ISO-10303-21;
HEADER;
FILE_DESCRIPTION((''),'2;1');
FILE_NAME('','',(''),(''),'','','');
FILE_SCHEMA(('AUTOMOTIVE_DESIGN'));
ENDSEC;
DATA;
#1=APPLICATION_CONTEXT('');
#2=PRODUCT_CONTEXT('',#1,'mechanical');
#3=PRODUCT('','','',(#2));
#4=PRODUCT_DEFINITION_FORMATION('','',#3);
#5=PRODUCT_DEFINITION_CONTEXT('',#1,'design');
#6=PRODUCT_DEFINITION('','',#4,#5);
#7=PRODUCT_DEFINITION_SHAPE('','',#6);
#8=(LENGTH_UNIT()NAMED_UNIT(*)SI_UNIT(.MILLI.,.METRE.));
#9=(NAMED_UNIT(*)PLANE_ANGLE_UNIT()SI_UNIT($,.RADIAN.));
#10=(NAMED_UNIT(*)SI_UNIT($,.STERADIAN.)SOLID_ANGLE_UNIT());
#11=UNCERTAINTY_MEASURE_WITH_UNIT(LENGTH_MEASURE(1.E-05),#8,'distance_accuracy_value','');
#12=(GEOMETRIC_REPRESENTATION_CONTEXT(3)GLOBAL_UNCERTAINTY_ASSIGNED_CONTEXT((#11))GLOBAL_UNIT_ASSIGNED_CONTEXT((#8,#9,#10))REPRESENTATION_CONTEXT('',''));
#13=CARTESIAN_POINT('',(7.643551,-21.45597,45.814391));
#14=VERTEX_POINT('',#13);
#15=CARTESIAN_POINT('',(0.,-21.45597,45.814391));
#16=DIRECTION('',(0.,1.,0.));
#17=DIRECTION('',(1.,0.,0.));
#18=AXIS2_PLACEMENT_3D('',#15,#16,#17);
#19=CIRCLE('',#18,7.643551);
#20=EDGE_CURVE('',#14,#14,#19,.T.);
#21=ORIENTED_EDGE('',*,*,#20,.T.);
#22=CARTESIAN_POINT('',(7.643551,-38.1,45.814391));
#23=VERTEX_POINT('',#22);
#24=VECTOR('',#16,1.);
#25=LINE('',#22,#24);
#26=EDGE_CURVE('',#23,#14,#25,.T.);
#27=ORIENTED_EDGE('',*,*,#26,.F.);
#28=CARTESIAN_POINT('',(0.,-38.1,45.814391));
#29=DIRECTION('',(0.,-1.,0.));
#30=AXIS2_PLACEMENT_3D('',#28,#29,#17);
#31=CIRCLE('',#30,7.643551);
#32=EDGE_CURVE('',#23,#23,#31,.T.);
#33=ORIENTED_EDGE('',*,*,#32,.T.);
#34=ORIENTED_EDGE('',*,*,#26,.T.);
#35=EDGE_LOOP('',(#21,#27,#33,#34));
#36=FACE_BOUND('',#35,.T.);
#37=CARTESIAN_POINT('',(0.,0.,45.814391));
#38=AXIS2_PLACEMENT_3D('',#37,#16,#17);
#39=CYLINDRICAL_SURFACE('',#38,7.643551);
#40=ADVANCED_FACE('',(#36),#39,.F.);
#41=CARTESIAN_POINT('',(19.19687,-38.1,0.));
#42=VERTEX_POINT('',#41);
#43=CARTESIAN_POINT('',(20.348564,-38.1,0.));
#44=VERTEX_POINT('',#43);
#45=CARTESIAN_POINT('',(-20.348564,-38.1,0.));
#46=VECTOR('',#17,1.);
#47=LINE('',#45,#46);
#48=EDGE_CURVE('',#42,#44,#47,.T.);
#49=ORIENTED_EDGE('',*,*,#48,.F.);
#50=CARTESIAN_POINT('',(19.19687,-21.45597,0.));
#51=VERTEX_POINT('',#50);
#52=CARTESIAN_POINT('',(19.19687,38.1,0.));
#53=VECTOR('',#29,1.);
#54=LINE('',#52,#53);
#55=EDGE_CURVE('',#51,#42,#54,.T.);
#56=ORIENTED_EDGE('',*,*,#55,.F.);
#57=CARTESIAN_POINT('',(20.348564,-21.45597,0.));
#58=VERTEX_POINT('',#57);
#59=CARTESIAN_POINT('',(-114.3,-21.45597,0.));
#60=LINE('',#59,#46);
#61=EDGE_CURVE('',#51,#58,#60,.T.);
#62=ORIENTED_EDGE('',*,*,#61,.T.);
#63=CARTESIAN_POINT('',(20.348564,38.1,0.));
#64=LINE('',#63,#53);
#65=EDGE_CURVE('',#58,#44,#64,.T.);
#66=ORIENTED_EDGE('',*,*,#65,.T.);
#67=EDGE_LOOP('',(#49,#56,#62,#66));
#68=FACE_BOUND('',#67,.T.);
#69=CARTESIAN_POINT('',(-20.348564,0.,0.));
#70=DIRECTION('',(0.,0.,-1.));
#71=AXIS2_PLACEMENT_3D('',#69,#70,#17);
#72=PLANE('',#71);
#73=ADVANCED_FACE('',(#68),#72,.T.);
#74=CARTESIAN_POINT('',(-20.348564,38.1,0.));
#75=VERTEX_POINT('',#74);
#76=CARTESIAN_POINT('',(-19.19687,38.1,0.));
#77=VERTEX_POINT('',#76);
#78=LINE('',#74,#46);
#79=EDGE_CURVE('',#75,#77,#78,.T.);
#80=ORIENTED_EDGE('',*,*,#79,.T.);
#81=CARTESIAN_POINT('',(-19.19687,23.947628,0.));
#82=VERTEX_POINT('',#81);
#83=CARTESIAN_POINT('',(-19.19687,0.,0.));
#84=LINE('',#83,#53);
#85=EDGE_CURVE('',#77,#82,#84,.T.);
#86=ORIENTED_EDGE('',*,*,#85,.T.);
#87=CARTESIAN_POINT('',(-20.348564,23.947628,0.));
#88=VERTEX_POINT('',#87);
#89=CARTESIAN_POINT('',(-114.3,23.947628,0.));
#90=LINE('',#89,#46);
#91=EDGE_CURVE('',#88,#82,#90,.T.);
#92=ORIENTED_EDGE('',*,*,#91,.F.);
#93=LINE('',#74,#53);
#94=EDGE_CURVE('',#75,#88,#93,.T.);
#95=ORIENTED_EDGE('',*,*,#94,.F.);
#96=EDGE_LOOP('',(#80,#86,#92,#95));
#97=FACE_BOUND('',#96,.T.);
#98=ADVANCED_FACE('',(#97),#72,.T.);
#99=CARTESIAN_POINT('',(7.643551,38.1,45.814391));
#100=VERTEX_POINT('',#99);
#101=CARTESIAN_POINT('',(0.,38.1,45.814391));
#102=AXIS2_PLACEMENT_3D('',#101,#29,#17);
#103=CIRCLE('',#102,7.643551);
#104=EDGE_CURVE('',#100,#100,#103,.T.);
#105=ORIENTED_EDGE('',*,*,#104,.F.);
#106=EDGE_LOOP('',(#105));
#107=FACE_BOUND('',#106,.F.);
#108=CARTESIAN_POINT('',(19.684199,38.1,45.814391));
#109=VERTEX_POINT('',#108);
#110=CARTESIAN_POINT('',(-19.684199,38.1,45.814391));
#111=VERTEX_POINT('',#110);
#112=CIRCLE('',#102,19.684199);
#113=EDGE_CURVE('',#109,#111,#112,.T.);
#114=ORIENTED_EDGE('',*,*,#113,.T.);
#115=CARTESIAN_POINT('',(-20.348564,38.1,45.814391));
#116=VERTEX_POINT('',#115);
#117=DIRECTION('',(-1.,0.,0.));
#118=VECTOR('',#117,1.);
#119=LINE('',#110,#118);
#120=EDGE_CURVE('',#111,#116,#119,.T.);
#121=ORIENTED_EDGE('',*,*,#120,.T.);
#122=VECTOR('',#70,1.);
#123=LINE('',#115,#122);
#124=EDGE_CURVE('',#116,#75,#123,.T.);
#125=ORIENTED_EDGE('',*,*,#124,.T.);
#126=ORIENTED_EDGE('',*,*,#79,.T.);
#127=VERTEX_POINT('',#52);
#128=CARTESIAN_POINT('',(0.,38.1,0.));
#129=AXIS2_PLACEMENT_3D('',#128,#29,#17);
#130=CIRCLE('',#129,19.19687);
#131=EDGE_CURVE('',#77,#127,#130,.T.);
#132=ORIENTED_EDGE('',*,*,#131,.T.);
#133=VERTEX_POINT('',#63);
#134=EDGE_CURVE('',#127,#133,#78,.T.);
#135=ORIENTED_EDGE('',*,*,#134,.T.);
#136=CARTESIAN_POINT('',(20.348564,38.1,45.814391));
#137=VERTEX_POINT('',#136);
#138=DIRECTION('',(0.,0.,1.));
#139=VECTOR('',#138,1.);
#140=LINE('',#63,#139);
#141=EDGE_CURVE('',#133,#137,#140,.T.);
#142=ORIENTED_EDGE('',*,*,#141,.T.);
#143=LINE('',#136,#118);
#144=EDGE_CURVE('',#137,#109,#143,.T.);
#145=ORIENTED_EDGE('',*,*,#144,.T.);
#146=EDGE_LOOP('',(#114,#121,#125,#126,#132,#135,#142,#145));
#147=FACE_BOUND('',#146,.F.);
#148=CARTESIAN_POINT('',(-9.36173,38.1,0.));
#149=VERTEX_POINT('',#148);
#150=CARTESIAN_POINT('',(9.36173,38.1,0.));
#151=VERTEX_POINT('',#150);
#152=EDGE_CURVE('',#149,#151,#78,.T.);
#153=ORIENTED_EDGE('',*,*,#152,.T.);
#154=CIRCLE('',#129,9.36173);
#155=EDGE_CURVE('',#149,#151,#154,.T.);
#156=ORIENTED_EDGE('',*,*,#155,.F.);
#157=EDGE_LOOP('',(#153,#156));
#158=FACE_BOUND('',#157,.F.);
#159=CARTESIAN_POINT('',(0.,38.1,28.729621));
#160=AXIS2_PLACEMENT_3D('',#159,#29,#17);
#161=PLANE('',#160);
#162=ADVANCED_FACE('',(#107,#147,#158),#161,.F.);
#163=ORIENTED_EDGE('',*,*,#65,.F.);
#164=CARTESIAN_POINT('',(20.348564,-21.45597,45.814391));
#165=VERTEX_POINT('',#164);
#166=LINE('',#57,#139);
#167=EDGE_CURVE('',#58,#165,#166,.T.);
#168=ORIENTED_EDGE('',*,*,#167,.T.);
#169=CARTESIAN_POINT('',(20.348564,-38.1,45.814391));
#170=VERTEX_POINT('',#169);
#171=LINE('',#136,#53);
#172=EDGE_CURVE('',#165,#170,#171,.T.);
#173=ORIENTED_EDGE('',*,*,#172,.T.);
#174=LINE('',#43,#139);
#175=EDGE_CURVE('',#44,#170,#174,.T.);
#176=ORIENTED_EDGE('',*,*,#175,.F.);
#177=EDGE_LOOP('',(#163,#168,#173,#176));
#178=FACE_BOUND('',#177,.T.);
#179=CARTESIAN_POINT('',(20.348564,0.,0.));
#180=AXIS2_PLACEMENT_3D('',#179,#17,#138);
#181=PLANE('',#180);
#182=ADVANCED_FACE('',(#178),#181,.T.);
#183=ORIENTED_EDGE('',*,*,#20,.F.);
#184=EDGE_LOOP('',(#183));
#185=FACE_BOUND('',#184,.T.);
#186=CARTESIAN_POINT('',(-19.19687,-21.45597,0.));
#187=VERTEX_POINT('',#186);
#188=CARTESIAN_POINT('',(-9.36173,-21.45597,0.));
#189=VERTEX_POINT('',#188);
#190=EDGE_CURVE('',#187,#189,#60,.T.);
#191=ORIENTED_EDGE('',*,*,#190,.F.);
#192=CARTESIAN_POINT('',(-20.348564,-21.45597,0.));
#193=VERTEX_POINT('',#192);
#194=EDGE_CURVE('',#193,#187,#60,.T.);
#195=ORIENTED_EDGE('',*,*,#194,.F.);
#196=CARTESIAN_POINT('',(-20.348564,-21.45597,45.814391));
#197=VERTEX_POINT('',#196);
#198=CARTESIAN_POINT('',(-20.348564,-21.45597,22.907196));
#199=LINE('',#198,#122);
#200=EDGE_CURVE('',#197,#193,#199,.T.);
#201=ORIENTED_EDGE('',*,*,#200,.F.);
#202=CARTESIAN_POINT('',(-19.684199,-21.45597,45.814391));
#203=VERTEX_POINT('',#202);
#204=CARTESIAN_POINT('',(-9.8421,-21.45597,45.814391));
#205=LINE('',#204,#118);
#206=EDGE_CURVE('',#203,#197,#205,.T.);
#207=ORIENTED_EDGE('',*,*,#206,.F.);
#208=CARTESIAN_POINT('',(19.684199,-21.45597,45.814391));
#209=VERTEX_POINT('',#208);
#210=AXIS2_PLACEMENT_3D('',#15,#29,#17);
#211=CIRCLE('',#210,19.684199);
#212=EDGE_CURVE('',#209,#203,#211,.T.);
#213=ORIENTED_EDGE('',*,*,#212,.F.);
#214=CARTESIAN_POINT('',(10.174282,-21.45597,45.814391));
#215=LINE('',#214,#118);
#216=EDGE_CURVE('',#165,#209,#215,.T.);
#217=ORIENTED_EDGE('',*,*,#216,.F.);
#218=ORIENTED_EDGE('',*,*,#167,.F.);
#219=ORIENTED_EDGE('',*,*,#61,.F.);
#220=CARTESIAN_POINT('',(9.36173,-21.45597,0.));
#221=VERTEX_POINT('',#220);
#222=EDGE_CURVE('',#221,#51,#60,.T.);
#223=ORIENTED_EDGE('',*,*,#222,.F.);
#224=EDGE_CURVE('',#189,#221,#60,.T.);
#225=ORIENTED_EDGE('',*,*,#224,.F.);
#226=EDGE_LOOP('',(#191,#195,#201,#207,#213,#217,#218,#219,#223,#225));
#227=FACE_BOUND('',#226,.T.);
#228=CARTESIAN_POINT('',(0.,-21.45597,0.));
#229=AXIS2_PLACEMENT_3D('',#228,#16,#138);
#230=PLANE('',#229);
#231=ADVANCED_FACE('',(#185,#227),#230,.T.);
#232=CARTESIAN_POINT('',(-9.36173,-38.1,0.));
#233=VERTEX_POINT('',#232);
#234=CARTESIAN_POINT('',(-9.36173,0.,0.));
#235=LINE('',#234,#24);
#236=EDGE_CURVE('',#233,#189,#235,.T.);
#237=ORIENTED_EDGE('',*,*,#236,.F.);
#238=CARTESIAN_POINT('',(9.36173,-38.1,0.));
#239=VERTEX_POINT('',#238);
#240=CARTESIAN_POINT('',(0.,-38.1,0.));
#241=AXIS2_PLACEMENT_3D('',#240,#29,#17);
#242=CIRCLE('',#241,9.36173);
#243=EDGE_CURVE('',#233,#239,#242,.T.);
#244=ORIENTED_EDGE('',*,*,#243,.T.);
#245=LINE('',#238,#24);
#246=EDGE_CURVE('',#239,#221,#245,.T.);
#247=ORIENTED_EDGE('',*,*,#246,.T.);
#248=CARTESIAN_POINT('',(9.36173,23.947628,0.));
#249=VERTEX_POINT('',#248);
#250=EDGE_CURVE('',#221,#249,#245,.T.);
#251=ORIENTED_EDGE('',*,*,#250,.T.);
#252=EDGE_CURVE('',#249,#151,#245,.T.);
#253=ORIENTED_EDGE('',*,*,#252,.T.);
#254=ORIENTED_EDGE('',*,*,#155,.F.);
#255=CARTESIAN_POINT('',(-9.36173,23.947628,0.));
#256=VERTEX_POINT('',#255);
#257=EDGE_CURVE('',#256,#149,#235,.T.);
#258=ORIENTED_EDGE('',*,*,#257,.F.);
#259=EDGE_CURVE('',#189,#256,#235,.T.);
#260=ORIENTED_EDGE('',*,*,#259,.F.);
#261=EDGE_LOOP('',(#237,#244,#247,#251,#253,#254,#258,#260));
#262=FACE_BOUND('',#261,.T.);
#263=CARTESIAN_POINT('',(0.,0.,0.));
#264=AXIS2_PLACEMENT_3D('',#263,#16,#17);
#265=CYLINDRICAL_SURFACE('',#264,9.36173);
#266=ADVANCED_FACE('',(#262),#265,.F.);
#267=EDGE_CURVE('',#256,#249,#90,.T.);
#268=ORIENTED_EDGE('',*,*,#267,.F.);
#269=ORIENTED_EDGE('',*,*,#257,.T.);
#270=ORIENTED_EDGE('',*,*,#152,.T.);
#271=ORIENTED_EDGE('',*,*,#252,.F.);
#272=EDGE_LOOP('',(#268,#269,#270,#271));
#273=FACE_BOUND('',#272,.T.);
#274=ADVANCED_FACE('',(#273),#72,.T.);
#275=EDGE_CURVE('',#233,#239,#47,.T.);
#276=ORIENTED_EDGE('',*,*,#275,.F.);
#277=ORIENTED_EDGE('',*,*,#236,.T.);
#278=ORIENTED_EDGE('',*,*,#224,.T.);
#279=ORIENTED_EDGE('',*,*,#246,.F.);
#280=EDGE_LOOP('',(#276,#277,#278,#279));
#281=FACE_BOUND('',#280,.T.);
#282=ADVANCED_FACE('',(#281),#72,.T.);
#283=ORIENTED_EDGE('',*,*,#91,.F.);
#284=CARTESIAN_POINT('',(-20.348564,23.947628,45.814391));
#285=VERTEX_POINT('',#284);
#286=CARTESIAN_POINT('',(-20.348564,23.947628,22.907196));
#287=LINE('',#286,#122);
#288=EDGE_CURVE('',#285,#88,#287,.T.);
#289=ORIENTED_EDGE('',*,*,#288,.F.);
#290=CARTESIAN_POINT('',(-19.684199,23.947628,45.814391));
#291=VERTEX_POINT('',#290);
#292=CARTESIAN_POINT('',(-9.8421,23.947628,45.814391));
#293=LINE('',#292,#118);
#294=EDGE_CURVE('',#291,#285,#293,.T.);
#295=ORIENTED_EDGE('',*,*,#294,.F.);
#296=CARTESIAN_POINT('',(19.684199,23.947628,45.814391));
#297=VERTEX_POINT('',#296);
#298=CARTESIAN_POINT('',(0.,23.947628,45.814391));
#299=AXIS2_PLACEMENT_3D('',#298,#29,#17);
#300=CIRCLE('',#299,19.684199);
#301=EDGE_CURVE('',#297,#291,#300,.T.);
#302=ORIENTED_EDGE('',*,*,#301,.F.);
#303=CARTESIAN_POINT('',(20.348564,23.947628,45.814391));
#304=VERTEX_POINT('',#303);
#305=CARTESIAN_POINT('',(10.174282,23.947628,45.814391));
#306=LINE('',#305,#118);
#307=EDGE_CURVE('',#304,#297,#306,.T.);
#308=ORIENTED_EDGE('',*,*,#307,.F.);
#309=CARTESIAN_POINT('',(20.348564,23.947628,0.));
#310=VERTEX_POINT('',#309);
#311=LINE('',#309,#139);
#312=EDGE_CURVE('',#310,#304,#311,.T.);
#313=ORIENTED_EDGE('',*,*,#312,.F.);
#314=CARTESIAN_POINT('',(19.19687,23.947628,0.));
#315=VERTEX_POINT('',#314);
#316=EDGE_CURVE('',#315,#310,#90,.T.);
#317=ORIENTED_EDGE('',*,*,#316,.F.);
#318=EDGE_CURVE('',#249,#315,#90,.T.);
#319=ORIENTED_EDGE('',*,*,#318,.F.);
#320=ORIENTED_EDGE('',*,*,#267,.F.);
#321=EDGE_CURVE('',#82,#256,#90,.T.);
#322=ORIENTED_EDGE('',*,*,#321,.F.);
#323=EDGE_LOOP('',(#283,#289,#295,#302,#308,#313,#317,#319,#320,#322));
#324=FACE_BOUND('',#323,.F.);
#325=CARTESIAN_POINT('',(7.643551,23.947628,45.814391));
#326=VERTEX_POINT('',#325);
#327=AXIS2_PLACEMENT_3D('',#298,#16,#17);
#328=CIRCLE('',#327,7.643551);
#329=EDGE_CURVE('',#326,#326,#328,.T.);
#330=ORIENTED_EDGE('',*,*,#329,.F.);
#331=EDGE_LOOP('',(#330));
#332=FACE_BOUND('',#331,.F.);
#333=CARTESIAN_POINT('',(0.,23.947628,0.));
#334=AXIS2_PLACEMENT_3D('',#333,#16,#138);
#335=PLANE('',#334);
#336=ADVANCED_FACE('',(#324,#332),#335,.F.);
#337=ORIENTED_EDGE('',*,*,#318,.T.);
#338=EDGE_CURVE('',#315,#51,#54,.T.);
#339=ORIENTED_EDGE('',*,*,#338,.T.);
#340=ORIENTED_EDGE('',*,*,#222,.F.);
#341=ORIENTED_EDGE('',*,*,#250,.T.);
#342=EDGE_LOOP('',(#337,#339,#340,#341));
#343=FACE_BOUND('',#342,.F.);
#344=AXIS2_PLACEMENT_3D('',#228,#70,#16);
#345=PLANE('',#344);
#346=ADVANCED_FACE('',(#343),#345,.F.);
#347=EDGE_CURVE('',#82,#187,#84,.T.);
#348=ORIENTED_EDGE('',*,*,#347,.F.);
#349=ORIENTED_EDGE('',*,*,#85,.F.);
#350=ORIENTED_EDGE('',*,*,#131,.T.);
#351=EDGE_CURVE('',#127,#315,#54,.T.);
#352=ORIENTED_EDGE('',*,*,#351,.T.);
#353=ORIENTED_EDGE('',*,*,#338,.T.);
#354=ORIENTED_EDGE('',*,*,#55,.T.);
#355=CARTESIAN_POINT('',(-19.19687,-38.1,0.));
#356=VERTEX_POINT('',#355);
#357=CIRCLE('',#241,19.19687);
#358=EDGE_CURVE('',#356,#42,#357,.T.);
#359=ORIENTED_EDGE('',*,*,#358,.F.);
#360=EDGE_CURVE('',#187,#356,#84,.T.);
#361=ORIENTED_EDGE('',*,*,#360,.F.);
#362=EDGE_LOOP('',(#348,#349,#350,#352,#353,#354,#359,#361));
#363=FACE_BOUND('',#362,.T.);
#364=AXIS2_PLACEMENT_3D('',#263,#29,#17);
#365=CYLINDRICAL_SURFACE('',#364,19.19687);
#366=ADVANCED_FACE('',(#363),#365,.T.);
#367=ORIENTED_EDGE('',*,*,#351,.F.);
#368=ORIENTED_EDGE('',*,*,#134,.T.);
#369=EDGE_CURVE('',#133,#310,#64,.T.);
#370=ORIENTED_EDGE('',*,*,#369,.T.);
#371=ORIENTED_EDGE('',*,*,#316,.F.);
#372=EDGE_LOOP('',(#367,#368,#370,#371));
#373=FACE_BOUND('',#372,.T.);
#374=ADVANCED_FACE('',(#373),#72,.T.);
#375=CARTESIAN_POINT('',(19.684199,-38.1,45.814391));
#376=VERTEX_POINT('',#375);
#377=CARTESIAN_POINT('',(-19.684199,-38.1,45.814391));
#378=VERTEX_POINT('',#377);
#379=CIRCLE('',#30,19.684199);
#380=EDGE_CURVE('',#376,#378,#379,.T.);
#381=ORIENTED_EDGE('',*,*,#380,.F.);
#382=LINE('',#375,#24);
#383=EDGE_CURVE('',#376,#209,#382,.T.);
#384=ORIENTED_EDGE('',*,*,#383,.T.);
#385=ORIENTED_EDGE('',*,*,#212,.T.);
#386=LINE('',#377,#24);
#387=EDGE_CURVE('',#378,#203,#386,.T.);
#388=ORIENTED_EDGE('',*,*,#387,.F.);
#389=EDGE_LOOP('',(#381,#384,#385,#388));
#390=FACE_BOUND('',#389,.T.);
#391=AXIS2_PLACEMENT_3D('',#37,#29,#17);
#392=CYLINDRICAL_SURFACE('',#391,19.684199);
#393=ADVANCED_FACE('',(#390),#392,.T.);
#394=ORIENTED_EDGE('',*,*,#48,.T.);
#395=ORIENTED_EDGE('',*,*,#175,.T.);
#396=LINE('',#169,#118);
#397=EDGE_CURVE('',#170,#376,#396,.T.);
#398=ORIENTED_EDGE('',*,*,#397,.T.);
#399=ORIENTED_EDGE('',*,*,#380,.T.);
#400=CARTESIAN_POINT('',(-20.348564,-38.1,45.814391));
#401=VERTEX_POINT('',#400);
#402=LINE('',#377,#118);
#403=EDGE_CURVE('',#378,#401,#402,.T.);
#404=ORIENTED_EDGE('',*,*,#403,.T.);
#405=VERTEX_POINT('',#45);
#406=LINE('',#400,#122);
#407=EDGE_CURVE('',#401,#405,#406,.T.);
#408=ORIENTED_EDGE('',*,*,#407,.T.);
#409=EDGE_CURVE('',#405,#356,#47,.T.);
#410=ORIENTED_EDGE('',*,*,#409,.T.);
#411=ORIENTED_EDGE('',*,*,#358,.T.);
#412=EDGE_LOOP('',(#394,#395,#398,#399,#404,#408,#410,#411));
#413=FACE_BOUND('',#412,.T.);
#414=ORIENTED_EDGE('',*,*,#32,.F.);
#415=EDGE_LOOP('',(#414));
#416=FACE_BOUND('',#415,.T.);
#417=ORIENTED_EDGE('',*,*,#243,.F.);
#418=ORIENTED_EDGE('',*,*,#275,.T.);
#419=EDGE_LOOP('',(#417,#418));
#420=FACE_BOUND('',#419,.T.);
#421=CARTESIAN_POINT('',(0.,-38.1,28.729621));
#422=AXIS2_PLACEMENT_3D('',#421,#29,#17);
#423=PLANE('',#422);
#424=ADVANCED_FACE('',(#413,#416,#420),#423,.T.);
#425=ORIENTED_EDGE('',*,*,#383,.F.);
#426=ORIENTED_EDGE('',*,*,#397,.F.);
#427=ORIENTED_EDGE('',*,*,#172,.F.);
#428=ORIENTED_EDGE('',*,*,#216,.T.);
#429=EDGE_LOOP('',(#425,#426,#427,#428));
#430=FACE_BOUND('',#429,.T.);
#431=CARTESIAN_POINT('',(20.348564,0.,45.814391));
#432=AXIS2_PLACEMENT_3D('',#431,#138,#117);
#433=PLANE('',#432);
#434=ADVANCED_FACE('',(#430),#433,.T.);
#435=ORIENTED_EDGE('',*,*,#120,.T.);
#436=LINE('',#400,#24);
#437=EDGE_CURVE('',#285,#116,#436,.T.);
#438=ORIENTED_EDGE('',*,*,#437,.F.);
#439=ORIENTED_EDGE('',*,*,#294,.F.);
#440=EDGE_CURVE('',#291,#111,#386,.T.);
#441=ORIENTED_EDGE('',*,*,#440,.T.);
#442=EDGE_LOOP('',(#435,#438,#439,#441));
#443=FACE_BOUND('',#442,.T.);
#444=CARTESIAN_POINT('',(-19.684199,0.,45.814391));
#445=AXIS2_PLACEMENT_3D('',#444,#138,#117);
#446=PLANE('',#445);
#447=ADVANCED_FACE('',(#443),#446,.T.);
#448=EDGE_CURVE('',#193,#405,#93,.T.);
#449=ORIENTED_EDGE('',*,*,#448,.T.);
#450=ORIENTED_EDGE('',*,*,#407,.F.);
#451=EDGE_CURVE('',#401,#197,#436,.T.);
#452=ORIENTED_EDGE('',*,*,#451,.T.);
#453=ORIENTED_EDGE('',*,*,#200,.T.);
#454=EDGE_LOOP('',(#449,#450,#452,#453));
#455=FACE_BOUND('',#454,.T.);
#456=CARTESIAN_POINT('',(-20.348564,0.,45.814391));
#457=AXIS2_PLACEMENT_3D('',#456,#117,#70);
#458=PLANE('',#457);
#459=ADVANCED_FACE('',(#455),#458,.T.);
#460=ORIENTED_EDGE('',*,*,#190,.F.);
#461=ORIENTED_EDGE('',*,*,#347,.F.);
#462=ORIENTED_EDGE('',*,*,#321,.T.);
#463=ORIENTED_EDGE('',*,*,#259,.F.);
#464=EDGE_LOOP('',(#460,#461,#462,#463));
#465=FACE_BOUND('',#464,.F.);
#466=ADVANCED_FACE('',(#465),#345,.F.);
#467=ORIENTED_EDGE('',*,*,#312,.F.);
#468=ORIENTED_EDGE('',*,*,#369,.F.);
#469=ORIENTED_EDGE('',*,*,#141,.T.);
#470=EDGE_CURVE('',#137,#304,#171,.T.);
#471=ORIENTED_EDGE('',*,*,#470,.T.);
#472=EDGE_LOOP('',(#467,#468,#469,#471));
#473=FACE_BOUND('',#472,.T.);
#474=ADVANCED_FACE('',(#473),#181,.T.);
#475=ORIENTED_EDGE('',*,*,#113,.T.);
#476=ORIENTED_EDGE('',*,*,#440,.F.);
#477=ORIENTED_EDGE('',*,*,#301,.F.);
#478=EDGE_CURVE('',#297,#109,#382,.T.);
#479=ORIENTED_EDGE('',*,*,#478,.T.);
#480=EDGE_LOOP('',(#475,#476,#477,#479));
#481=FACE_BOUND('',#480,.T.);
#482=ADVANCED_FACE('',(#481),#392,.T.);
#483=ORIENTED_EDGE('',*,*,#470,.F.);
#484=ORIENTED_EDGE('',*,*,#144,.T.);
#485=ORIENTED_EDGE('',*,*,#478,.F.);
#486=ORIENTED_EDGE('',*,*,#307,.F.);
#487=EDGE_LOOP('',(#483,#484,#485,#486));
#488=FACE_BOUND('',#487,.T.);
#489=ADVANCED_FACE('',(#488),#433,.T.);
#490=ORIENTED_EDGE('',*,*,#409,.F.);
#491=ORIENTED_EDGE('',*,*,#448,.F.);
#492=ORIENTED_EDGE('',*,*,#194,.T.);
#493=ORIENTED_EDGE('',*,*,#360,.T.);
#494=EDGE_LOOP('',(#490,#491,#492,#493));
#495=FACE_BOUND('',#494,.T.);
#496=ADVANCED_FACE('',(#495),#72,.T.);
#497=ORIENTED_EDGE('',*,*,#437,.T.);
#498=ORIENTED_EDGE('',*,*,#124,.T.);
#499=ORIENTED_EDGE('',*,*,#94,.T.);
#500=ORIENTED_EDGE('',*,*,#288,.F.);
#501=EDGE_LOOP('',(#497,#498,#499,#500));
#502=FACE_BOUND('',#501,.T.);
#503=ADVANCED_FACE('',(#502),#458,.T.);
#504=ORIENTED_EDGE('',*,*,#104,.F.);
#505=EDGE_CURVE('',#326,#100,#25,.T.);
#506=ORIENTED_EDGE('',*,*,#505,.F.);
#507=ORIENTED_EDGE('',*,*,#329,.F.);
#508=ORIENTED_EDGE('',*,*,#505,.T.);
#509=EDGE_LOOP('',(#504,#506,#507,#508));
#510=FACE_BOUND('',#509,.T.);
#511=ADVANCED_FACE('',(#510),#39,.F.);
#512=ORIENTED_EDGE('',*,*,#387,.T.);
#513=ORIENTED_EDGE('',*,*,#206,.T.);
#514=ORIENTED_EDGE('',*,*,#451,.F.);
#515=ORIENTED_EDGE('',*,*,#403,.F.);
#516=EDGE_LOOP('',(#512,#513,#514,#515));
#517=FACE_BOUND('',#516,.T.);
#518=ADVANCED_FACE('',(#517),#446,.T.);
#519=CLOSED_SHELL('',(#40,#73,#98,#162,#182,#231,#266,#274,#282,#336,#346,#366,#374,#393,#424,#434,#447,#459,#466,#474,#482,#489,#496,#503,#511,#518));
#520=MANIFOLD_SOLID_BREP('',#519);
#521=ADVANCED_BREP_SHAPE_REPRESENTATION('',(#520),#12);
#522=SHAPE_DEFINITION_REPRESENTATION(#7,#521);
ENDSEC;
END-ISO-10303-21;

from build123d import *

# Parameters (mm, degrees)
F0_R     = 19.1968698124
F0_R_2   = 9.3617301333
F1_DEPTH = 38.1
F2_R     = 7.6435509614
F3_DEPTH = 38.1
F4_W     = 45.4035978764
F4_H     = 66.3013830781
F5_DEPTH = 114.3


with BuildPart() as f1:
    # F0 (on Front) → F1 (new body, symmetric)
    with BuildSketch(Plane.XZ):
        Circle(F0_R)
        Circle(F0_R_2, mode=Mode.SUBTRACT)
    extrude(amount=F1_DEPTH, both=True)

    # F2 (on Front) → F3 (join, symmetric)
    with BuildSketch(Plane.XZ):
        with BuildLine():
            Line((-20.3485637903, 45.8143912256), (-20.3485637903, 0))
            Line((-20.3485637903, 0), (20.3485637903, 0))
            Line((20.3485637903, 0), (20.3485637903, 45.8143912256))
            Line((20.3485637903, 45.8143912256), (19.6841994122, 45.8143912256))
            ThreePointArc((19.6841994122, 45.8143912256), (0, 65.4985906377), (-19.6841994122, 45.8143912256))
            Line((-19.6841994122, 45.8143912256), (-20.3485637903, 45.8143912256))
        make_face()
        with Locations((0, 45.8143912256)):
            Circle(F2_R, mode=Mode.SUBTRACT)
    extrude(amount=F3_DEPTH, both=True)

    # F4 (on Right) → F5 (cut, symmetric)
    with BuildSketch(Plane.YZ):
        with Locations((1.2458292767, 33.150691539)):
            Rectangle(F4_W, F4_H)
    extrude(amount=F5_DEPTH, both=True, mode=Mode.SUBTRACT)


solid = f1.part
